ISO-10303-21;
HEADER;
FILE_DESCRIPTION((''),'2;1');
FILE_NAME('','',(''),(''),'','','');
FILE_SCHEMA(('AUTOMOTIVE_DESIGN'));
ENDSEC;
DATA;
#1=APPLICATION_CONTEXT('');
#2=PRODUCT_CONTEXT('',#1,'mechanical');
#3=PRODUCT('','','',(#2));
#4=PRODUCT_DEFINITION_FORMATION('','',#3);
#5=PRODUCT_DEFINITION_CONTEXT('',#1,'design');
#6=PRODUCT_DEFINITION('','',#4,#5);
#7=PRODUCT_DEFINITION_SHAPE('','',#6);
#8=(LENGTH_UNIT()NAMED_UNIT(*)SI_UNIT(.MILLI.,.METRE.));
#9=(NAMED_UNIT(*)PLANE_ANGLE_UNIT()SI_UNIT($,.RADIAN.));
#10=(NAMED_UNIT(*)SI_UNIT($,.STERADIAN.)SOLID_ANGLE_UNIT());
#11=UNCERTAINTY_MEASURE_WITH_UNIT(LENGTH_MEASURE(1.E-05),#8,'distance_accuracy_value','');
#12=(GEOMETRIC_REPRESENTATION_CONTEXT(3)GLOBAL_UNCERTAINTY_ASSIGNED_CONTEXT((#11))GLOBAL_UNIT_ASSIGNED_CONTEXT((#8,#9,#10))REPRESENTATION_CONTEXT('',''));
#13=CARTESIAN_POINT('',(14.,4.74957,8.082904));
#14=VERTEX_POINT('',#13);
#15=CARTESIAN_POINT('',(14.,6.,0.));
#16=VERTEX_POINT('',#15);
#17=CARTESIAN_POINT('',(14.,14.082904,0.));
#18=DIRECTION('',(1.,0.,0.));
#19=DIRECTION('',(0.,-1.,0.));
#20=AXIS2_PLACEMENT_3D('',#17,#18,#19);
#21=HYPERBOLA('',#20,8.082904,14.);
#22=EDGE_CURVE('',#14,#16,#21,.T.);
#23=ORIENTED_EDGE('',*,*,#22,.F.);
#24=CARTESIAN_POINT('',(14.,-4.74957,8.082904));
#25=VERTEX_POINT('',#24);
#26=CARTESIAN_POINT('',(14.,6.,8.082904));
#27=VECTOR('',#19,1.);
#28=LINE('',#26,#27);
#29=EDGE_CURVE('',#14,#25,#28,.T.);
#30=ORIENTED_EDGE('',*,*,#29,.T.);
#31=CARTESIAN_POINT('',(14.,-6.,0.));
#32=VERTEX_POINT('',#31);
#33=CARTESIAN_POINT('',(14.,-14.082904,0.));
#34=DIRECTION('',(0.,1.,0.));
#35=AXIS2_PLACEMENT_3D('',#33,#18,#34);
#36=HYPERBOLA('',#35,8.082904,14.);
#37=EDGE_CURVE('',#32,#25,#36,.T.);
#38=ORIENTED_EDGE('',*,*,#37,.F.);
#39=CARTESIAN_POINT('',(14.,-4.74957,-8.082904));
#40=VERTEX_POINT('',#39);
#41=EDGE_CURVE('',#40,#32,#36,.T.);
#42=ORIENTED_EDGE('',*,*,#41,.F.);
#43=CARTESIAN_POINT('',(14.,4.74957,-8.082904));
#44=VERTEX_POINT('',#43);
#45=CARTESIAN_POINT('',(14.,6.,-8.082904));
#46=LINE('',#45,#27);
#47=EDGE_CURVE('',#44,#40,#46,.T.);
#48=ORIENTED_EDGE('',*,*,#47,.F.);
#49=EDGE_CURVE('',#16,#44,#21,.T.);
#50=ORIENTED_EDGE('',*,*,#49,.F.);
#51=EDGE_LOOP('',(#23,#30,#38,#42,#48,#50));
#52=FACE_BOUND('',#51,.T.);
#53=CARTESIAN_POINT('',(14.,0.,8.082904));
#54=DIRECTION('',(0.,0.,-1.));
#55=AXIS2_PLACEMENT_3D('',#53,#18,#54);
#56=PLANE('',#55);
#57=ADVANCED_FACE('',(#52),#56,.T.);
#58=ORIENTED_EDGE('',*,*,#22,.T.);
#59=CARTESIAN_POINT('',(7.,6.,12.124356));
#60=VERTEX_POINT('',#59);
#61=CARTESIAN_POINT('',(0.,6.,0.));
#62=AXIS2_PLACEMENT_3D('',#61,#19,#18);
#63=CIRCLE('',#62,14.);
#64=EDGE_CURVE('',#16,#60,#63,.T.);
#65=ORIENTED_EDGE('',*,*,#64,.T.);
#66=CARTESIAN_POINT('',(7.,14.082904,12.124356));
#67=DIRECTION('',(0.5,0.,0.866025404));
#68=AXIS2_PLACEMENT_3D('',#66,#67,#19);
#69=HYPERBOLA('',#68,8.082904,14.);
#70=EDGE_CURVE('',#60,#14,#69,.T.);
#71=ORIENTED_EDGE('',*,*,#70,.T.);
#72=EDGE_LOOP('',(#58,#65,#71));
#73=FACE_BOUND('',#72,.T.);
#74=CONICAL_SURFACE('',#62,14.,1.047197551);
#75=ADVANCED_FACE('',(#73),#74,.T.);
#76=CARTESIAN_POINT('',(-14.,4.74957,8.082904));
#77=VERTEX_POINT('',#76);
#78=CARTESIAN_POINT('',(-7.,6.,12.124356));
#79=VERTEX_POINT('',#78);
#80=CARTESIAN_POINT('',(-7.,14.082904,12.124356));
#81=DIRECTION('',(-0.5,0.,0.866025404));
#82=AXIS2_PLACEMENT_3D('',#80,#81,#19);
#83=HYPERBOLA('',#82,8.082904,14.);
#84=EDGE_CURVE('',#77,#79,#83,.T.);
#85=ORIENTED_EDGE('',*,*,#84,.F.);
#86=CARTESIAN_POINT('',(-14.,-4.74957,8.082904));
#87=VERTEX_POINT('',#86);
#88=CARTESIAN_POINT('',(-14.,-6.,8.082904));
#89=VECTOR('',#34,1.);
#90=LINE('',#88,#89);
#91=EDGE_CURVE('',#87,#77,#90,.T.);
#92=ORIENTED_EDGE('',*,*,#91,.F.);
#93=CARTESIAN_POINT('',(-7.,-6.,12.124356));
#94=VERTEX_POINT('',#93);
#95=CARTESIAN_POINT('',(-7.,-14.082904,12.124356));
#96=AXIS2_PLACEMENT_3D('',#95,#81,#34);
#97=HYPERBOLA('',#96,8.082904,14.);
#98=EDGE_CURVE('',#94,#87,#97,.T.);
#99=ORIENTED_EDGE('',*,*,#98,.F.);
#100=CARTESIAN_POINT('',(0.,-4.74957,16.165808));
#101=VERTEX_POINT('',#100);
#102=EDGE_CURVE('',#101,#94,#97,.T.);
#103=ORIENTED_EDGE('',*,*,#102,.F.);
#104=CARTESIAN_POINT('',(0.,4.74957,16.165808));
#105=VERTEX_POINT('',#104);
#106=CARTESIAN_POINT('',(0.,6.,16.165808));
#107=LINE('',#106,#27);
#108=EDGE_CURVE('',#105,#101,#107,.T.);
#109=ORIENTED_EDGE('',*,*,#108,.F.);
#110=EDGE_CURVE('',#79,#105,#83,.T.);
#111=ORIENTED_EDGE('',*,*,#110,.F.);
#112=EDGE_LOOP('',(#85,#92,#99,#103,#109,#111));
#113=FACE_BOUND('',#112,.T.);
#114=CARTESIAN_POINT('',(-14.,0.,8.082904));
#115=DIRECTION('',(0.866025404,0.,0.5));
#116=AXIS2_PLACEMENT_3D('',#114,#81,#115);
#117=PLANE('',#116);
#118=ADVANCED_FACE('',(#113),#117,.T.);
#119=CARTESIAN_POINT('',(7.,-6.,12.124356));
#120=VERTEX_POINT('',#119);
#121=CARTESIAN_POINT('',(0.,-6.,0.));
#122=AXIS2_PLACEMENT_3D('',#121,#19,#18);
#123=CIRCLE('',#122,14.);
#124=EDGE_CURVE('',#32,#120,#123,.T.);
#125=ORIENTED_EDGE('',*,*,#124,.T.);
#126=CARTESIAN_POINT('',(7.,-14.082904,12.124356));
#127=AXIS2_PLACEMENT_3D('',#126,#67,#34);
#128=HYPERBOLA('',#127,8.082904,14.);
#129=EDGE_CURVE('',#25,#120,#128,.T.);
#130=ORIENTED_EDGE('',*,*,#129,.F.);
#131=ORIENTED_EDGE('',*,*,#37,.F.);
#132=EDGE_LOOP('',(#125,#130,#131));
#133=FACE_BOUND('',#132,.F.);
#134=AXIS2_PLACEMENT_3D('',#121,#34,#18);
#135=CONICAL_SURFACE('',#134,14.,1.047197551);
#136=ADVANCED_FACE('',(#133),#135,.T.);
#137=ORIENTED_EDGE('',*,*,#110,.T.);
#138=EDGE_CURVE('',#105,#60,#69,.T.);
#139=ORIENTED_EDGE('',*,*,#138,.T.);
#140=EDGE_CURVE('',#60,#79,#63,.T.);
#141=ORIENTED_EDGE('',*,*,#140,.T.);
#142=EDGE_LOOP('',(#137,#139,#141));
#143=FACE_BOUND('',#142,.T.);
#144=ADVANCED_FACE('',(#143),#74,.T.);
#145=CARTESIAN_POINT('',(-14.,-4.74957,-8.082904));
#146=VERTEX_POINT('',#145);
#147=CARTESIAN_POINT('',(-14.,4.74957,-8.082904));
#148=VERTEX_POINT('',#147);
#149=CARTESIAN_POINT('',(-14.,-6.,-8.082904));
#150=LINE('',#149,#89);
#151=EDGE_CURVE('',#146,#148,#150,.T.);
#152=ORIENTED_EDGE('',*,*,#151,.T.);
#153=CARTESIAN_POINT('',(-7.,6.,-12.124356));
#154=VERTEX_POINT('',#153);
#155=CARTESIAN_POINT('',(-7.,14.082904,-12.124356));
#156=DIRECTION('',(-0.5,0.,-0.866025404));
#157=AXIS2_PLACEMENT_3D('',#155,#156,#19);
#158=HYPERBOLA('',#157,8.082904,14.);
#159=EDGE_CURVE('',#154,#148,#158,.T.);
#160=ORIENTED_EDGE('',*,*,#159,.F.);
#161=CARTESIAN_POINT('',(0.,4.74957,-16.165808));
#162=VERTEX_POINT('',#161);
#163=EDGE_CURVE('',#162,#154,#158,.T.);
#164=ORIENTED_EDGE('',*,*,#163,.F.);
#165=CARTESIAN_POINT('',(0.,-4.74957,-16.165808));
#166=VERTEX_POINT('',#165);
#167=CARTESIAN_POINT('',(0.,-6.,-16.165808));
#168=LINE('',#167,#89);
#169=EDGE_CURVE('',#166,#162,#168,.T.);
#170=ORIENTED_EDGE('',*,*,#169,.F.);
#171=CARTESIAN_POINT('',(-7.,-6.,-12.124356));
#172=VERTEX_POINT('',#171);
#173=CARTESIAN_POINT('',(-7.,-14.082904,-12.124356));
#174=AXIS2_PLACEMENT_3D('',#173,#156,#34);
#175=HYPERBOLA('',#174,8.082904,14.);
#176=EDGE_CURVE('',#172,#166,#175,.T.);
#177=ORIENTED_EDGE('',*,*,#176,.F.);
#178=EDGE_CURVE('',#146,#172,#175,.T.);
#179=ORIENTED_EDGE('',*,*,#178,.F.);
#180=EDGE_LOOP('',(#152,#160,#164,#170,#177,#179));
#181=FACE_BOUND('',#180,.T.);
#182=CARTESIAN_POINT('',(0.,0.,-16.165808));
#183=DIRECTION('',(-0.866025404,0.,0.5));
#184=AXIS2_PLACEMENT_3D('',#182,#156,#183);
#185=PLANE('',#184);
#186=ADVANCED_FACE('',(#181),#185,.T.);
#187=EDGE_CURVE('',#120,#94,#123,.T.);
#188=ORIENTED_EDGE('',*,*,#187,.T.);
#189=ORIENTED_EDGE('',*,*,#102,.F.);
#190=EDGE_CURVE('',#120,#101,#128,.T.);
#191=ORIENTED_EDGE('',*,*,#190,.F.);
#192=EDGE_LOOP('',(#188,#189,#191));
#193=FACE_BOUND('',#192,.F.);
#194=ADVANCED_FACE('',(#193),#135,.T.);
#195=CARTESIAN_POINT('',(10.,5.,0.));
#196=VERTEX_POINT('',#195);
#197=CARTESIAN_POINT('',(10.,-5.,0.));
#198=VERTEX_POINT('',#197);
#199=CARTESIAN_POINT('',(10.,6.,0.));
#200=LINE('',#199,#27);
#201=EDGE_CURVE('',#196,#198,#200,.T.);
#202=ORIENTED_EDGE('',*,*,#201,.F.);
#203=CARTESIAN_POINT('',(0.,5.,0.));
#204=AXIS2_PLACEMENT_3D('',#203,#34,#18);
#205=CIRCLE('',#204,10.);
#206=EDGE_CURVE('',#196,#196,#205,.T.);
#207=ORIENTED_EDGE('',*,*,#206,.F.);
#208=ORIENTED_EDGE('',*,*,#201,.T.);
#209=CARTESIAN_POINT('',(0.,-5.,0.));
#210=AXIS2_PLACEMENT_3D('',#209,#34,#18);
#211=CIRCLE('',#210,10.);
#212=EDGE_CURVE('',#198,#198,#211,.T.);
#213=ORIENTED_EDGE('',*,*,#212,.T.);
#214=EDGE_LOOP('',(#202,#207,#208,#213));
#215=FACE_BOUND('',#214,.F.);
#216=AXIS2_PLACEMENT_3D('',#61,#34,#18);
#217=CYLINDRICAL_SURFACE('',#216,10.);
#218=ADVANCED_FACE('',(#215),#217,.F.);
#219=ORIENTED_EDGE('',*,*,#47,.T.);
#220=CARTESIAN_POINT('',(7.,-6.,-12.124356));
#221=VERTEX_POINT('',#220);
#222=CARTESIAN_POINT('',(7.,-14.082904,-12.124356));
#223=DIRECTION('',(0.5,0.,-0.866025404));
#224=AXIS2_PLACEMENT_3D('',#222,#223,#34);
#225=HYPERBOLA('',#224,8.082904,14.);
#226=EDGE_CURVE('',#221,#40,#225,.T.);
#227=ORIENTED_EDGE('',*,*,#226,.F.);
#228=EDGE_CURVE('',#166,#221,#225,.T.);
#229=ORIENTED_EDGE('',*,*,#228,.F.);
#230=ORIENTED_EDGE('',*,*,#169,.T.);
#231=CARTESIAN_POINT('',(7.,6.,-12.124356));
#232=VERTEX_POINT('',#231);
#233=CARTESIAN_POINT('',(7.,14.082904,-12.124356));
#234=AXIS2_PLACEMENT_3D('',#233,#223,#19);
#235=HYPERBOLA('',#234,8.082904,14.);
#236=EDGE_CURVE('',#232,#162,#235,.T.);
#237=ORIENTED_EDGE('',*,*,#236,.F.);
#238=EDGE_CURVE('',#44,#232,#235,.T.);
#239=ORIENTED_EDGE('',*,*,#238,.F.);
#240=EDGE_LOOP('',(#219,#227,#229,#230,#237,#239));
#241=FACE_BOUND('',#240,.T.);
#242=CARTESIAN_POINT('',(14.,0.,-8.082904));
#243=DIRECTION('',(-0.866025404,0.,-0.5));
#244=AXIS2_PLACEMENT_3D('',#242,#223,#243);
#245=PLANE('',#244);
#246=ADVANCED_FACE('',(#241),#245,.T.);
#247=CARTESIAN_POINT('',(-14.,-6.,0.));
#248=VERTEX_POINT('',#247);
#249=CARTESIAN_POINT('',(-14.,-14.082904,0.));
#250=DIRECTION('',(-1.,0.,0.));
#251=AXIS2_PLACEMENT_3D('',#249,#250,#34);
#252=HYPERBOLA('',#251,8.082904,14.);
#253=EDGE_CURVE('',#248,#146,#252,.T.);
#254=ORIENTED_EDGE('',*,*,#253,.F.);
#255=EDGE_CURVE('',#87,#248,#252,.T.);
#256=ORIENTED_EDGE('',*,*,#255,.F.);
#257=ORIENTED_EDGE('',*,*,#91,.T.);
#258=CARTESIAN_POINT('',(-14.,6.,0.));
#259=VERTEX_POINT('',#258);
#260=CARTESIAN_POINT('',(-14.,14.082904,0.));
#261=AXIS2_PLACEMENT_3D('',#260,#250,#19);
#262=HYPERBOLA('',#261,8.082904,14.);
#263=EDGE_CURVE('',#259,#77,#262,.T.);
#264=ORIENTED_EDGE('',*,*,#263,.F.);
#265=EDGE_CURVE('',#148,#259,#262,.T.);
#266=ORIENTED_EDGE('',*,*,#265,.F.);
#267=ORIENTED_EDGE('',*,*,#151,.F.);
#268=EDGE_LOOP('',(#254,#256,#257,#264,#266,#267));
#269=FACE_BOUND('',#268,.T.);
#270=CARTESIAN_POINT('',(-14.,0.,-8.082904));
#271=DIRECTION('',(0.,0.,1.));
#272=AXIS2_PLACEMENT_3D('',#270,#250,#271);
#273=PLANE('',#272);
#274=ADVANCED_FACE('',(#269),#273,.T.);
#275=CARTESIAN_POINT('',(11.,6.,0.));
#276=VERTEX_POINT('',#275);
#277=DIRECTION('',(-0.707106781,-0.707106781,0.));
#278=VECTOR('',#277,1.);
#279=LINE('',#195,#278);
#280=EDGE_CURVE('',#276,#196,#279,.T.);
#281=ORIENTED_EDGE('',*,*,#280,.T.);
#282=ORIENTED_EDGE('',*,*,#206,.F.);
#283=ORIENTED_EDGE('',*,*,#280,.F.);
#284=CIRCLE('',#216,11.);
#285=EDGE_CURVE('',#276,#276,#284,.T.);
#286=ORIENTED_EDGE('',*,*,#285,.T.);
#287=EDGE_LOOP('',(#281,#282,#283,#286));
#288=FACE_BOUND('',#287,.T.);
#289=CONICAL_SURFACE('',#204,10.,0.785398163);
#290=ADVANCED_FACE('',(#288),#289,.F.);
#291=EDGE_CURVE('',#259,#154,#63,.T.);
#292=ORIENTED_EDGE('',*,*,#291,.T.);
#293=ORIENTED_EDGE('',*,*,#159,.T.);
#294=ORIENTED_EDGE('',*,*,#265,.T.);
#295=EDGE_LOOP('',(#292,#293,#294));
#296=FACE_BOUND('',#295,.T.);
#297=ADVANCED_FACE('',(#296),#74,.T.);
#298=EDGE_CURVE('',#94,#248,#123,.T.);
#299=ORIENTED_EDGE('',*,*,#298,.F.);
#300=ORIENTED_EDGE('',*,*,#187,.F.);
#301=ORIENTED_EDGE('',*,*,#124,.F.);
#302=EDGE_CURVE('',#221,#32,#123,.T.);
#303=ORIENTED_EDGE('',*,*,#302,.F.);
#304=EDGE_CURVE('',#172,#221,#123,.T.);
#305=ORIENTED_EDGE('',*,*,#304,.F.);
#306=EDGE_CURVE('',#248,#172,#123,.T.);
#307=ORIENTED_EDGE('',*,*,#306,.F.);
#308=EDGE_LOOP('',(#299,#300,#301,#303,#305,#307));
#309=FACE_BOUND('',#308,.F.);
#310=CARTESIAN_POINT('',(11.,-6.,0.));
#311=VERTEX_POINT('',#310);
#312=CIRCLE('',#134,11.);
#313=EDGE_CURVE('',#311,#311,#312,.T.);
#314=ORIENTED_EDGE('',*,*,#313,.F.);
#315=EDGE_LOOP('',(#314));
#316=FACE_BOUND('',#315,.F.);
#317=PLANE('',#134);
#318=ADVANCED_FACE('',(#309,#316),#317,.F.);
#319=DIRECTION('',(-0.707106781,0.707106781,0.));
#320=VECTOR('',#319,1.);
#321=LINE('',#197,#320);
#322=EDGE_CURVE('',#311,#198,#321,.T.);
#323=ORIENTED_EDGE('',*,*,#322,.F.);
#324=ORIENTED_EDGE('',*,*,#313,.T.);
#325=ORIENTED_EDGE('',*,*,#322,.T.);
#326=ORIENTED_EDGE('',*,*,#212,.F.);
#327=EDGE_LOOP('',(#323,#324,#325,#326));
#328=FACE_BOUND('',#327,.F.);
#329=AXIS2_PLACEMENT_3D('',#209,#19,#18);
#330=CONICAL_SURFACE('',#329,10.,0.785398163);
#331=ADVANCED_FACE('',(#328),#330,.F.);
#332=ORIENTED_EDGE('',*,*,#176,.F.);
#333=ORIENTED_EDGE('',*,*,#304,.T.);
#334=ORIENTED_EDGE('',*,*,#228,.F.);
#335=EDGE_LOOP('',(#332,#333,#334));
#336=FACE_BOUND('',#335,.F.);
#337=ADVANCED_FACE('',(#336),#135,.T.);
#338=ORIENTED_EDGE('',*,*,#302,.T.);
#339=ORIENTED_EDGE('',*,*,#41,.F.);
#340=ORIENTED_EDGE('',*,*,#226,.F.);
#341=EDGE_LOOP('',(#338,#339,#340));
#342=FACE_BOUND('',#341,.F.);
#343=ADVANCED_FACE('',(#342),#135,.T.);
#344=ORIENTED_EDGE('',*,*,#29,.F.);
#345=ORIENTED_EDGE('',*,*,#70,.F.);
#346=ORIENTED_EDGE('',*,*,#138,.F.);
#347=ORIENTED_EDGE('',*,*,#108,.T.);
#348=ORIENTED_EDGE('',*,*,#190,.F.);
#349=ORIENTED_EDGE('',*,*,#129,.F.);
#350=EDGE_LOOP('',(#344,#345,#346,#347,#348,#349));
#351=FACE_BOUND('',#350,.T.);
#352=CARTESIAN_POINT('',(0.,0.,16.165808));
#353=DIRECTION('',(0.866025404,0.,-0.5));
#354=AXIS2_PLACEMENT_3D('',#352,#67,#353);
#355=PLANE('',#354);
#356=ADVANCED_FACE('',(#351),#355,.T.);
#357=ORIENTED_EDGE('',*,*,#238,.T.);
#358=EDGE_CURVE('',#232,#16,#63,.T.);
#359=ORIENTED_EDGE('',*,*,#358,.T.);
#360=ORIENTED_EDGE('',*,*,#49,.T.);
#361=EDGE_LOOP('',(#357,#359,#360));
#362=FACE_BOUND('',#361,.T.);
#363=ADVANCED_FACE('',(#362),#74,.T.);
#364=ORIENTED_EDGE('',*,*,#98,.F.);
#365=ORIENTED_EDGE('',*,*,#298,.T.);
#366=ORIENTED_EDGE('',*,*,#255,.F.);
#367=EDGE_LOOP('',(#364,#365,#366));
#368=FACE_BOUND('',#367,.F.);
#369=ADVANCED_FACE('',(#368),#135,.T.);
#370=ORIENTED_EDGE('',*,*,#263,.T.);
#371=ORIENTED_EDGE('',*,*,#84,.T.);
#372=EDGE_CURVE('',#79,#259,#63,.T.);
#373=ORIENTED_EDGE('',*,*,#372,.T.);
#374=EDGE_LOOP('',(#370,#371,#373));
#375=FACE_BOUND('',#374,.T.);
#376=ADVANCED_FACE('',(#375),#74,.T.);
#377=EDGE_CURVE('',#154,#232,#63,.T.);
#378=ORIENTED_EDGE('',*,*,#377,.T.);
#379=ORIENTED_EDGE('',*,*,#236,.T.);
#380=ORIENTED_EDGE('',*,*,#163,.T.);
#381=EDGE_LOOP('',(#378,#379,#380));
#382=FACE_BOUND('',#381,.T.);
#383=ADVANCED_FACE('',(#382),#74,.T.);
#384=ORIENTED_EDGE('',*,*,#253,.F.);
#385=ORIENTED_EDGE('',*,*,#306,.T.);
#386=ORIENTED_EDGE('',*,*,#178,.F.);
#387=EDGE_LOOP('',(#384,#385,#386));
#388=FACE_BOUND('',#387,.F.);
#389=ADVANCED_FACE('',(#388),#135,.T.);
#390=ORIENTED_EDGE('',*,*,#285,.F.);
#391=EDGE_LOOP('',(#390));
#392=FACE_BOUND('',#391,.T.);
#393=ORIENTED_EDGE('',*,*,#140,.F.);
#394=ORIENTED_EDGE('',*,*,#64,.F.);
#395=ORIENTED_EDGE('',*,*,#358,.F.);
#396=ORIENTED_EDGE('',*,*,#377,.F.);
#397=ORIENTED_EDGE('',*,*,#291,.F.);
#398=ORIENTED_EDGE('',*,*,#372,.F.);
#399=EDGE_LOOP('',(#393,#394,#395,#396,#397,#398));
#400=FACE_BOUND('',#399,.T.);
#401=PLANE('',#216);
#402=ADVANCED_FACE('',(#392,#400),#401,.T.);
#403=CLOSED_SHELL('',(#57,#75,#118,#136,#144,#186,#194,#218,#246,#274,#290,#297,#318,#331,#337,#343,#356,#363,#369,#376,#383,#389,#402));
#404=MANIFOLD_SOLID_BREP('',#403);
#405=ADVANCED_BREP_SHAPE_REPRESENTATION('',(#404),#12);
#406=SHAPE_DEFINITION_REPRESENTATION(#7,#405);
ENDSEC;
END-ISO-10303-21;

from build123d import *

# Parameters (mm, degrees)
BOSS_EXTRUDE1_DEPTH = 6
SKETCH2_OUTSIDE_W   = 80.454
SKETCH2_OUTSIDE_H   = 84.786
SKETCH2_OUTSIDE_R   = 14
CUT_EXTRUDE1_DEPTH  = 12
CUT_EXTRUDE1_TAPER  = 60
SKETCH3_R           = 10
CUT_EXTRUDE2_DEPTH  = 13
CHAMFER1_SIZE       = 1


with BuildPart() as part:
    # Sketch1 → Boss-Extrude1 (new body, symmetric)
    with BuildSketch(Plane(origin=(0, 0, 0), x_dir=(1, 0, 0), z_dir=(0, 1, 0))):
        Polygon((14, 8.082903769), (0, 16.165807537), (-14, 8.082903769), (-14, -8.082903769), (0, -16.165807537), (14, -8.082903769), align=None)
    extrude(amount=BOSS_EXTRUDE1_DEPTH, both=True)

    # Sketch2 outside → Cut-Extrude1 (cut)
    with BuildSketch(Plane(origin=(0, 6, 0), x_dir=(1, 0, 0), z_dir=(0, 1, 0))):
        Rectangle(SKETCH2_OUTSIDE_W, SKETCH2_OUTSIDE_H)
        Circle(SKETCH2_OUTSIDE_R, mode=Mode.SUBTRACT)
    cut_extrude1 = extrude(amount=-CUT_EXTRUDE1_DEPTH, taper=CUT_EXTRUDE1_TAPER, mode=Mode.SUBTRACT)

    # Mirror1: Cut-Extrude1 across plane
    add(cut_extrude1.mirror(Plane.ZX), mode=Mode.SUBTRACT)

    # Sketch3 → Cut-Extrude2 (cut, through all)
    with BuildSketch(Plane(origin=(0, 6, 0), x_dir=(1, 0, 0), z_dir=(0, 1, 0))):
        Circle(SKETCH3_R)
    extrude(amount=-CUT_EXTRUDE2_DEPTH, mode=Mode.SUBTRACT)

    # Chamfer1
    chamfer1_edges = [part.edges().sort_by_distance(p)[0] for p in [
        (-10, -6, 0),
        (-10, 6, 0),
    ]]
    chamfer(chamfer1_edges, length=CHAMFER1_SIZE)


solid = part.part
